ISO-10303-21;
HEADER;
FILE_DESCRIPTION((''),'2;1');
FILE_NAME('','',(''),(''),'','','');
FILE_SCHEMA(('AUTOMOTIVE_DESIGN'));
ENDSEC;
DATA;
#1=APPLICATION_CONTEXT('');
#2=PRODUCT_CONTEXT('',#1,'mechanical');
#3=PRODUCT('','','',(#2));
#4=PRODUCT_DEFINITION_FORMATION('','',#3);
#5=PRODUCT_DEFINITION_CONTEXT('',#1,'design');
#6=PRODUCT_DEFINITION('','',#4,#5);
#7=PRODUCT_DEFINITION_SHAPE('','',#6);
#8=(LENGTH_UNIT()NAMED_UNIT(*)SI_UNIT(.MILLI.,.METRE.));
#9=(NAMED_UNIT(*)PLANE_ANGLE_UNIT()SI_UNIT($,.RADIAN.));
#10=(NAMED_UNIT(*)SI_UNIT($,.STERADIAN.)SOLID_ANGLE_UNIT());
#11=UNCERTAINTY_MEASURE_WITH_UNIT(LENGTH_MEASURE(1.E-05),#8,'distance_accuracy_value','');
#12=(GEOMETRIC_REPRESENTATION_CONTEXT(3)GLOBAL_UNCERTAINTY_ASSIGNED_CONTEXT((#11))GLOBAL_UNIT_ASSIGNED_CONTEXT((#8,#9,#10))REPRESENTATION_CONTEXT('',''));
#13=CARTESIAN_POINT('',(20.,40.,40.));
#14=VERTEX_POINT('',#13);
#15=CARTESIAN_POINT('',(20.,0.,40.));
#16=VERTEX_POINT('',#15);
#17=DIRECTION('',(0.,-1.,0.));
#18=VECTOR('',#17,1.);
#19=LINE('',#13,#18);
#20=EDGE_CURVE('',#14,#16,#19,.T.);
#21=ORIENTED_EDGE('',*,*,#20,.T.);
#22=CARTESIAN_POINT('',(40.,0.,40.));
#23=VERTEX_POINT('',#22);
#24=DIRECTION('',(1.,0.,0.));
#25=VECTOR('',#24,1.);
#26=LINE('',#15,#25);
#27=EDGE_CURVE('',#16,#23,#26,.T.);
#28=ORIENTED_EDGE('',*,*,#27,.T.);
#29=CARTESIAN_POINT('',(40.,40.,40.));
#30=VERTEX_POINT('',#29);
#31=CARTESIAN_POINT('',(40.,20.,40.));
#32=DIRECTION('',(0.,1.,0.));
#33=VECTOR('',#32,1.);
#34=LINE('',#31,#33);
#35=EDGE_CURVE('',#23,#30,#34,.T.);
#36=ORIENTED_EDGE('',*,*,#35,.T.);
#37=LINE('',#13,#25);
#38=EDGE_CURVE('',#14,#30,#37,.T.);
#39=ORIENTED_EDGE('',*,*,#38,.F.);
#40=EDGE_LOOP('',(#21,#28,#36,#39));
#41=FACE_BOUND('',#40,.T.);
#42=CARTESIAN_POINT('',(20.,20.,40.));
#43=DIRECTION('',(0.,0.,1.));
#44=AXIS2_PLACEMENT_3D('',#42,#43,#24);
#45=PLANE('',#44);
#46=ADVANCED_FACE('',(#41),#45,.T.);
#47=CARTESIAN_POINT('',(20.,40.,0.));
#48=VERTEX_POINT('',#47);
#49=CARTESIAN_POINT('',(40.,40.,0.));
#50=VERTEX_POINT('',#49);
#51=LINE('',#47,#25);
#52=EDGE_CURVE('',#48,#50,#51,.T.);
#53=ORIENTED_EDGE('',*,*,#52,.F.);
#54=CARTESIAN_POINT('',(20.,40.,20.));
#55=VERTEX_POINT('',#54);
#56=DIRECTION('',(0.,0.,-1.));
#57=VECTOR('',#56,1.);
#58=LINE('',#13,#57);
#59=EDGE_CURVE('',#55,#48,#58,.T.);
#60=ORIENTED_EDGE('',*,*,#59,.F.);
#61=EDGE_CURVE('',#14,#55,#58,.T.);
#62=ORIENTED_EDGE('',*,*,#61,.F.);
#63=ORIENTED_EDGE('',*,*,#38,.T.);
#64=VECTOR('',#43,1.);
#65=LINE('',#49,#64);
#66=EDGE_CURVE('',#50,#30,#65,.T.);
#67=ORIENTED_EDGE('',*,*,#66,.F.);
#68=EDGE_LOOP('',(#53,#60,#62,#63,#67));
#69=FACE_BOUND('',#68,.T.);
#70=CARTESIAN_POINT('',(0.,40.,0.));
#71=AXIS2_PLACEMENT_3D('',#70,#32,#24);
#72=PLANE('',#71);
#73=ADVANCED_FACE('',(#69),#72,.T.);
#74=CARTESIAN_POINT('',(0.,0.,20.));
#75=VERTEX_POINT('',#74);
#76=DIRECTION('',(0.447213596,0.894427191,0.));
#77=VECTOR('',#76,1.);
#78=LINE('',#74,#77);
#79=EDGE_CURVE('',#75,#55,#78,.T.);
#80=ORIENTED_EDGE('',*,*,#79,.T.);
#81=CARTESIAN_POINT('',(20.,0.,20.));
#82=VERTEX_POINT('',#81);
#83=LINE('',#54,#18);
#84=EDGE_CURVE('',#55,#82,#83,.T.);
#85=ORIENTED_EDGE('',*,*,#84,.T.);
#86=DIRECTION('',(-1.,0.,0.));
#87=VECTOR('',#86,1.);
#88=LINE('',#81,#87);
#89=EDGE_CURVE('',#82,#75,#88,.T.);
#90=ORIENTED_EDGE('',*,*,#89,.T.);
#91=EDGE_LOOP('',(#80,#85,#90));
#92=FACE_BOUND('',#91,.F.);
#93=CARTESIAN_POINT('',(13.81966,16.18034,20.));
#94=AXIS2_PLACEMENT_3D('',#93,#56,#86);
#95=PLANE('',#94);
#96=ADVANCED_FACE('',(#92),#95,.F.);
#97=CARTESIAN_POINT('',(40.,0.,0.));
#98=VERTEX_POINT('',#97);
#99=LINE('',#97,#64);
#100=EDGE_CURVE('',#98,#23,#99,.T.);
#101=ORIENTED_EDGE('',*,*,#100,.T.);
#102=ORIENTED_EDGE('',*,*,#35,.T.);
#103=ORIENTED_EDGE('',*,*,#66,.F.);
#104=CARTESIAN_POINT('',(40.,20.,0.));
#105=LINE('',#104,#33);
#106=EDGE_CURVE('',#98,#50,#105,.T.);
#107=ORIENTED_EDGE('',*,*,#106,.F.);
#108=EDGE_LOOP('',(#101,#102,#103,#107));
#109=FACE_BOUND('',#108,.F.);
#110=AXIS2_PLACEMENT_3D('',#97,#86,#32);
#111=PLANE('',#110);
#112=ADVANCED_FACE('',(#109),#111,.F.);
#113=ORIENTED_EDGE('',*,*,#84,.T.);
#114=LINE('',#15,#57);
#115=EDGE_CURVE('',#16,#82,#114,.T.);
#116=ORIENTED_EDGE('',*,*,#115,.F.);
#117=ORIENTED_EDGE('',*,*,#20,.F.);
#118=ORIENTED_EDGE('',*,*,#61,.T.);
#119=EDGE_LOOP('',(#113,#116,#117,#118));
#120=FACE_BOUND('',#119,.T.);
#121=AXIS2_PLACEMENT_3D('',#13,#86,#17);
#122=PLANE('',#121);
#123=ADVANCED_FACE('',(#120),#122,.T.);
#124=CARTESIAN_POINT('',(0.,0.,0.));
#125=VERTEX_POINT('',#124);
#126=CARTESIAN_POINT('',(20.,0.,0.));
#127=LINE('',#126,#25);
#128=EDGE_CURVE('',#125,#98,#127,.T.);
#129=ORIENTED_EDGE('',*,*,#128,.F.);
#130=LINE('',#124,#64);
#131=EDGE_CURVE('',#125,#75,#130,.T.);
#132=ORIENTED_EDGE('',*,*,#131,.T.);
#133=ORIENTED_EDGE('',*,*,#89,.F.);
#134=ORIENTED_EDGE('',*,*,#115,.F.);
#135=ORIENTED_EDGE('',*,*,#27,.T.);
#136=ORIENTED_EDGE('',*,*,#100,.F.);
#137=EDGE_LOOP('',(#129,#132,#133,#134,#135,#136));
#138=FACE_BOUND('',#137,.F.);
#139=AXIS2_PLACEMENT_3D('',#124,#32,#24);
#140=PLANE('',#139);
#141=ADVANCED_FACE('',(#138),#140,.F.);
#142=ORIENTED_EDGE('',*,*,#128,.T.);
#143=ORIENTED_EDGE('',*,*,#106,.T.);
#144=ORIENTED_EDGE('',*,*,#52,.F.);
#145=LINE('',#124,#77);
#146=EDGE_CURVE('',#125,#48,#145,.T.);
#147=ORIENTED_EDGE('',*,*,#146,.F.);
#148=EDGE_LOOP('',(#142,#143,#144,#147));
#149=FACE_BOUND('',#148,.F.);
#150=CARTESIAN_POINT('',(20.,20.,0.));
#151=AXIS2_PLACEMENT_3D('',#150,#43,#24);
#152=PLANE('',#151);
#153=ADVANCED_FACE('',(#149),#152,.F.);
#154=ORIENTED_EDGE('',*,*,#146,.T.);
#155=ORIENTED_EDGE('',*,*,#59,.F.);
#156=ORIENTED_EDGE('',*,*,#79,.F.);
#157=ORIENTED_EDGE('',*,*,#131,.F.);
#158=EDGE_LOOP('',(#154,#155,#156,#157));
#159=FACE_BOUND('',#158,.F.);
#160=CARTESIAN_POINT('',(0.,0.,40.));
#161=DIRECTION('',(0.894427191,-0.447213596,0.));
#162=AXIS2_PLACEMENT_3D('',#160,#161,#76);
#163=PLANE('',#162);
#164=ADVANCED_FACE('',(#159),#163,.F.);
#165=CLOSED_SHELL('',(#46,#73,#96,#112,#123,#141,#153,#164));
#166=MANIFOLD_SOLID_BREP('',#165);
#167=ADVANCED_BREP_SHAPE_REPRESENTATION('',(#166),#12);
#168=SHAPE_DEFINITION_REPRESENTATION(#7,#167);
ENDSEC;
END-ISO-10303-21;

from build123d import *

# Parameters (mm, degrees)
SKETCH1_W           = 40
SKETCH1_H           = 40
BOSS_EXTRUDE1_DEPTH = 40
CUT_EXTRUDE1_DEPTH  = 40
CUT_EXTRUDE2_DEPTH  = 20


with BuildPart() as part:
    # Sketch1 → Boss-Extrude1 (new body)
    with BuildSketch(Plane.XY):
        with Locations((20, 20)):
            Rectangle(SKETCH1_W, SKETCH1_H)
    extrude(amount=BOSS_EXTRUDE1_DEPTH)

    # Sketch2 → Cut-Extrude1 (cut)
    with BuildSketch(Plane.XY.offset(40)):
        Polygon((0, 0), (20, 40), (0, 40), align=None)
    extrude(amount=-CUT_EXTRUDE1_DEPTH, mode=Mode.SUBTRACT)

    # Sketch3 → Cut-Extrude2 (cut)
    with BuildSketch(Plane.XY.offset(40)):
        Polygon((20, 40), (20, 0), (0, 0), align=None)
    extrude(amount=-CUT_EXTRUDE2_DEPTH, mode=Mode.SUBTRACT)


solid = part.part
